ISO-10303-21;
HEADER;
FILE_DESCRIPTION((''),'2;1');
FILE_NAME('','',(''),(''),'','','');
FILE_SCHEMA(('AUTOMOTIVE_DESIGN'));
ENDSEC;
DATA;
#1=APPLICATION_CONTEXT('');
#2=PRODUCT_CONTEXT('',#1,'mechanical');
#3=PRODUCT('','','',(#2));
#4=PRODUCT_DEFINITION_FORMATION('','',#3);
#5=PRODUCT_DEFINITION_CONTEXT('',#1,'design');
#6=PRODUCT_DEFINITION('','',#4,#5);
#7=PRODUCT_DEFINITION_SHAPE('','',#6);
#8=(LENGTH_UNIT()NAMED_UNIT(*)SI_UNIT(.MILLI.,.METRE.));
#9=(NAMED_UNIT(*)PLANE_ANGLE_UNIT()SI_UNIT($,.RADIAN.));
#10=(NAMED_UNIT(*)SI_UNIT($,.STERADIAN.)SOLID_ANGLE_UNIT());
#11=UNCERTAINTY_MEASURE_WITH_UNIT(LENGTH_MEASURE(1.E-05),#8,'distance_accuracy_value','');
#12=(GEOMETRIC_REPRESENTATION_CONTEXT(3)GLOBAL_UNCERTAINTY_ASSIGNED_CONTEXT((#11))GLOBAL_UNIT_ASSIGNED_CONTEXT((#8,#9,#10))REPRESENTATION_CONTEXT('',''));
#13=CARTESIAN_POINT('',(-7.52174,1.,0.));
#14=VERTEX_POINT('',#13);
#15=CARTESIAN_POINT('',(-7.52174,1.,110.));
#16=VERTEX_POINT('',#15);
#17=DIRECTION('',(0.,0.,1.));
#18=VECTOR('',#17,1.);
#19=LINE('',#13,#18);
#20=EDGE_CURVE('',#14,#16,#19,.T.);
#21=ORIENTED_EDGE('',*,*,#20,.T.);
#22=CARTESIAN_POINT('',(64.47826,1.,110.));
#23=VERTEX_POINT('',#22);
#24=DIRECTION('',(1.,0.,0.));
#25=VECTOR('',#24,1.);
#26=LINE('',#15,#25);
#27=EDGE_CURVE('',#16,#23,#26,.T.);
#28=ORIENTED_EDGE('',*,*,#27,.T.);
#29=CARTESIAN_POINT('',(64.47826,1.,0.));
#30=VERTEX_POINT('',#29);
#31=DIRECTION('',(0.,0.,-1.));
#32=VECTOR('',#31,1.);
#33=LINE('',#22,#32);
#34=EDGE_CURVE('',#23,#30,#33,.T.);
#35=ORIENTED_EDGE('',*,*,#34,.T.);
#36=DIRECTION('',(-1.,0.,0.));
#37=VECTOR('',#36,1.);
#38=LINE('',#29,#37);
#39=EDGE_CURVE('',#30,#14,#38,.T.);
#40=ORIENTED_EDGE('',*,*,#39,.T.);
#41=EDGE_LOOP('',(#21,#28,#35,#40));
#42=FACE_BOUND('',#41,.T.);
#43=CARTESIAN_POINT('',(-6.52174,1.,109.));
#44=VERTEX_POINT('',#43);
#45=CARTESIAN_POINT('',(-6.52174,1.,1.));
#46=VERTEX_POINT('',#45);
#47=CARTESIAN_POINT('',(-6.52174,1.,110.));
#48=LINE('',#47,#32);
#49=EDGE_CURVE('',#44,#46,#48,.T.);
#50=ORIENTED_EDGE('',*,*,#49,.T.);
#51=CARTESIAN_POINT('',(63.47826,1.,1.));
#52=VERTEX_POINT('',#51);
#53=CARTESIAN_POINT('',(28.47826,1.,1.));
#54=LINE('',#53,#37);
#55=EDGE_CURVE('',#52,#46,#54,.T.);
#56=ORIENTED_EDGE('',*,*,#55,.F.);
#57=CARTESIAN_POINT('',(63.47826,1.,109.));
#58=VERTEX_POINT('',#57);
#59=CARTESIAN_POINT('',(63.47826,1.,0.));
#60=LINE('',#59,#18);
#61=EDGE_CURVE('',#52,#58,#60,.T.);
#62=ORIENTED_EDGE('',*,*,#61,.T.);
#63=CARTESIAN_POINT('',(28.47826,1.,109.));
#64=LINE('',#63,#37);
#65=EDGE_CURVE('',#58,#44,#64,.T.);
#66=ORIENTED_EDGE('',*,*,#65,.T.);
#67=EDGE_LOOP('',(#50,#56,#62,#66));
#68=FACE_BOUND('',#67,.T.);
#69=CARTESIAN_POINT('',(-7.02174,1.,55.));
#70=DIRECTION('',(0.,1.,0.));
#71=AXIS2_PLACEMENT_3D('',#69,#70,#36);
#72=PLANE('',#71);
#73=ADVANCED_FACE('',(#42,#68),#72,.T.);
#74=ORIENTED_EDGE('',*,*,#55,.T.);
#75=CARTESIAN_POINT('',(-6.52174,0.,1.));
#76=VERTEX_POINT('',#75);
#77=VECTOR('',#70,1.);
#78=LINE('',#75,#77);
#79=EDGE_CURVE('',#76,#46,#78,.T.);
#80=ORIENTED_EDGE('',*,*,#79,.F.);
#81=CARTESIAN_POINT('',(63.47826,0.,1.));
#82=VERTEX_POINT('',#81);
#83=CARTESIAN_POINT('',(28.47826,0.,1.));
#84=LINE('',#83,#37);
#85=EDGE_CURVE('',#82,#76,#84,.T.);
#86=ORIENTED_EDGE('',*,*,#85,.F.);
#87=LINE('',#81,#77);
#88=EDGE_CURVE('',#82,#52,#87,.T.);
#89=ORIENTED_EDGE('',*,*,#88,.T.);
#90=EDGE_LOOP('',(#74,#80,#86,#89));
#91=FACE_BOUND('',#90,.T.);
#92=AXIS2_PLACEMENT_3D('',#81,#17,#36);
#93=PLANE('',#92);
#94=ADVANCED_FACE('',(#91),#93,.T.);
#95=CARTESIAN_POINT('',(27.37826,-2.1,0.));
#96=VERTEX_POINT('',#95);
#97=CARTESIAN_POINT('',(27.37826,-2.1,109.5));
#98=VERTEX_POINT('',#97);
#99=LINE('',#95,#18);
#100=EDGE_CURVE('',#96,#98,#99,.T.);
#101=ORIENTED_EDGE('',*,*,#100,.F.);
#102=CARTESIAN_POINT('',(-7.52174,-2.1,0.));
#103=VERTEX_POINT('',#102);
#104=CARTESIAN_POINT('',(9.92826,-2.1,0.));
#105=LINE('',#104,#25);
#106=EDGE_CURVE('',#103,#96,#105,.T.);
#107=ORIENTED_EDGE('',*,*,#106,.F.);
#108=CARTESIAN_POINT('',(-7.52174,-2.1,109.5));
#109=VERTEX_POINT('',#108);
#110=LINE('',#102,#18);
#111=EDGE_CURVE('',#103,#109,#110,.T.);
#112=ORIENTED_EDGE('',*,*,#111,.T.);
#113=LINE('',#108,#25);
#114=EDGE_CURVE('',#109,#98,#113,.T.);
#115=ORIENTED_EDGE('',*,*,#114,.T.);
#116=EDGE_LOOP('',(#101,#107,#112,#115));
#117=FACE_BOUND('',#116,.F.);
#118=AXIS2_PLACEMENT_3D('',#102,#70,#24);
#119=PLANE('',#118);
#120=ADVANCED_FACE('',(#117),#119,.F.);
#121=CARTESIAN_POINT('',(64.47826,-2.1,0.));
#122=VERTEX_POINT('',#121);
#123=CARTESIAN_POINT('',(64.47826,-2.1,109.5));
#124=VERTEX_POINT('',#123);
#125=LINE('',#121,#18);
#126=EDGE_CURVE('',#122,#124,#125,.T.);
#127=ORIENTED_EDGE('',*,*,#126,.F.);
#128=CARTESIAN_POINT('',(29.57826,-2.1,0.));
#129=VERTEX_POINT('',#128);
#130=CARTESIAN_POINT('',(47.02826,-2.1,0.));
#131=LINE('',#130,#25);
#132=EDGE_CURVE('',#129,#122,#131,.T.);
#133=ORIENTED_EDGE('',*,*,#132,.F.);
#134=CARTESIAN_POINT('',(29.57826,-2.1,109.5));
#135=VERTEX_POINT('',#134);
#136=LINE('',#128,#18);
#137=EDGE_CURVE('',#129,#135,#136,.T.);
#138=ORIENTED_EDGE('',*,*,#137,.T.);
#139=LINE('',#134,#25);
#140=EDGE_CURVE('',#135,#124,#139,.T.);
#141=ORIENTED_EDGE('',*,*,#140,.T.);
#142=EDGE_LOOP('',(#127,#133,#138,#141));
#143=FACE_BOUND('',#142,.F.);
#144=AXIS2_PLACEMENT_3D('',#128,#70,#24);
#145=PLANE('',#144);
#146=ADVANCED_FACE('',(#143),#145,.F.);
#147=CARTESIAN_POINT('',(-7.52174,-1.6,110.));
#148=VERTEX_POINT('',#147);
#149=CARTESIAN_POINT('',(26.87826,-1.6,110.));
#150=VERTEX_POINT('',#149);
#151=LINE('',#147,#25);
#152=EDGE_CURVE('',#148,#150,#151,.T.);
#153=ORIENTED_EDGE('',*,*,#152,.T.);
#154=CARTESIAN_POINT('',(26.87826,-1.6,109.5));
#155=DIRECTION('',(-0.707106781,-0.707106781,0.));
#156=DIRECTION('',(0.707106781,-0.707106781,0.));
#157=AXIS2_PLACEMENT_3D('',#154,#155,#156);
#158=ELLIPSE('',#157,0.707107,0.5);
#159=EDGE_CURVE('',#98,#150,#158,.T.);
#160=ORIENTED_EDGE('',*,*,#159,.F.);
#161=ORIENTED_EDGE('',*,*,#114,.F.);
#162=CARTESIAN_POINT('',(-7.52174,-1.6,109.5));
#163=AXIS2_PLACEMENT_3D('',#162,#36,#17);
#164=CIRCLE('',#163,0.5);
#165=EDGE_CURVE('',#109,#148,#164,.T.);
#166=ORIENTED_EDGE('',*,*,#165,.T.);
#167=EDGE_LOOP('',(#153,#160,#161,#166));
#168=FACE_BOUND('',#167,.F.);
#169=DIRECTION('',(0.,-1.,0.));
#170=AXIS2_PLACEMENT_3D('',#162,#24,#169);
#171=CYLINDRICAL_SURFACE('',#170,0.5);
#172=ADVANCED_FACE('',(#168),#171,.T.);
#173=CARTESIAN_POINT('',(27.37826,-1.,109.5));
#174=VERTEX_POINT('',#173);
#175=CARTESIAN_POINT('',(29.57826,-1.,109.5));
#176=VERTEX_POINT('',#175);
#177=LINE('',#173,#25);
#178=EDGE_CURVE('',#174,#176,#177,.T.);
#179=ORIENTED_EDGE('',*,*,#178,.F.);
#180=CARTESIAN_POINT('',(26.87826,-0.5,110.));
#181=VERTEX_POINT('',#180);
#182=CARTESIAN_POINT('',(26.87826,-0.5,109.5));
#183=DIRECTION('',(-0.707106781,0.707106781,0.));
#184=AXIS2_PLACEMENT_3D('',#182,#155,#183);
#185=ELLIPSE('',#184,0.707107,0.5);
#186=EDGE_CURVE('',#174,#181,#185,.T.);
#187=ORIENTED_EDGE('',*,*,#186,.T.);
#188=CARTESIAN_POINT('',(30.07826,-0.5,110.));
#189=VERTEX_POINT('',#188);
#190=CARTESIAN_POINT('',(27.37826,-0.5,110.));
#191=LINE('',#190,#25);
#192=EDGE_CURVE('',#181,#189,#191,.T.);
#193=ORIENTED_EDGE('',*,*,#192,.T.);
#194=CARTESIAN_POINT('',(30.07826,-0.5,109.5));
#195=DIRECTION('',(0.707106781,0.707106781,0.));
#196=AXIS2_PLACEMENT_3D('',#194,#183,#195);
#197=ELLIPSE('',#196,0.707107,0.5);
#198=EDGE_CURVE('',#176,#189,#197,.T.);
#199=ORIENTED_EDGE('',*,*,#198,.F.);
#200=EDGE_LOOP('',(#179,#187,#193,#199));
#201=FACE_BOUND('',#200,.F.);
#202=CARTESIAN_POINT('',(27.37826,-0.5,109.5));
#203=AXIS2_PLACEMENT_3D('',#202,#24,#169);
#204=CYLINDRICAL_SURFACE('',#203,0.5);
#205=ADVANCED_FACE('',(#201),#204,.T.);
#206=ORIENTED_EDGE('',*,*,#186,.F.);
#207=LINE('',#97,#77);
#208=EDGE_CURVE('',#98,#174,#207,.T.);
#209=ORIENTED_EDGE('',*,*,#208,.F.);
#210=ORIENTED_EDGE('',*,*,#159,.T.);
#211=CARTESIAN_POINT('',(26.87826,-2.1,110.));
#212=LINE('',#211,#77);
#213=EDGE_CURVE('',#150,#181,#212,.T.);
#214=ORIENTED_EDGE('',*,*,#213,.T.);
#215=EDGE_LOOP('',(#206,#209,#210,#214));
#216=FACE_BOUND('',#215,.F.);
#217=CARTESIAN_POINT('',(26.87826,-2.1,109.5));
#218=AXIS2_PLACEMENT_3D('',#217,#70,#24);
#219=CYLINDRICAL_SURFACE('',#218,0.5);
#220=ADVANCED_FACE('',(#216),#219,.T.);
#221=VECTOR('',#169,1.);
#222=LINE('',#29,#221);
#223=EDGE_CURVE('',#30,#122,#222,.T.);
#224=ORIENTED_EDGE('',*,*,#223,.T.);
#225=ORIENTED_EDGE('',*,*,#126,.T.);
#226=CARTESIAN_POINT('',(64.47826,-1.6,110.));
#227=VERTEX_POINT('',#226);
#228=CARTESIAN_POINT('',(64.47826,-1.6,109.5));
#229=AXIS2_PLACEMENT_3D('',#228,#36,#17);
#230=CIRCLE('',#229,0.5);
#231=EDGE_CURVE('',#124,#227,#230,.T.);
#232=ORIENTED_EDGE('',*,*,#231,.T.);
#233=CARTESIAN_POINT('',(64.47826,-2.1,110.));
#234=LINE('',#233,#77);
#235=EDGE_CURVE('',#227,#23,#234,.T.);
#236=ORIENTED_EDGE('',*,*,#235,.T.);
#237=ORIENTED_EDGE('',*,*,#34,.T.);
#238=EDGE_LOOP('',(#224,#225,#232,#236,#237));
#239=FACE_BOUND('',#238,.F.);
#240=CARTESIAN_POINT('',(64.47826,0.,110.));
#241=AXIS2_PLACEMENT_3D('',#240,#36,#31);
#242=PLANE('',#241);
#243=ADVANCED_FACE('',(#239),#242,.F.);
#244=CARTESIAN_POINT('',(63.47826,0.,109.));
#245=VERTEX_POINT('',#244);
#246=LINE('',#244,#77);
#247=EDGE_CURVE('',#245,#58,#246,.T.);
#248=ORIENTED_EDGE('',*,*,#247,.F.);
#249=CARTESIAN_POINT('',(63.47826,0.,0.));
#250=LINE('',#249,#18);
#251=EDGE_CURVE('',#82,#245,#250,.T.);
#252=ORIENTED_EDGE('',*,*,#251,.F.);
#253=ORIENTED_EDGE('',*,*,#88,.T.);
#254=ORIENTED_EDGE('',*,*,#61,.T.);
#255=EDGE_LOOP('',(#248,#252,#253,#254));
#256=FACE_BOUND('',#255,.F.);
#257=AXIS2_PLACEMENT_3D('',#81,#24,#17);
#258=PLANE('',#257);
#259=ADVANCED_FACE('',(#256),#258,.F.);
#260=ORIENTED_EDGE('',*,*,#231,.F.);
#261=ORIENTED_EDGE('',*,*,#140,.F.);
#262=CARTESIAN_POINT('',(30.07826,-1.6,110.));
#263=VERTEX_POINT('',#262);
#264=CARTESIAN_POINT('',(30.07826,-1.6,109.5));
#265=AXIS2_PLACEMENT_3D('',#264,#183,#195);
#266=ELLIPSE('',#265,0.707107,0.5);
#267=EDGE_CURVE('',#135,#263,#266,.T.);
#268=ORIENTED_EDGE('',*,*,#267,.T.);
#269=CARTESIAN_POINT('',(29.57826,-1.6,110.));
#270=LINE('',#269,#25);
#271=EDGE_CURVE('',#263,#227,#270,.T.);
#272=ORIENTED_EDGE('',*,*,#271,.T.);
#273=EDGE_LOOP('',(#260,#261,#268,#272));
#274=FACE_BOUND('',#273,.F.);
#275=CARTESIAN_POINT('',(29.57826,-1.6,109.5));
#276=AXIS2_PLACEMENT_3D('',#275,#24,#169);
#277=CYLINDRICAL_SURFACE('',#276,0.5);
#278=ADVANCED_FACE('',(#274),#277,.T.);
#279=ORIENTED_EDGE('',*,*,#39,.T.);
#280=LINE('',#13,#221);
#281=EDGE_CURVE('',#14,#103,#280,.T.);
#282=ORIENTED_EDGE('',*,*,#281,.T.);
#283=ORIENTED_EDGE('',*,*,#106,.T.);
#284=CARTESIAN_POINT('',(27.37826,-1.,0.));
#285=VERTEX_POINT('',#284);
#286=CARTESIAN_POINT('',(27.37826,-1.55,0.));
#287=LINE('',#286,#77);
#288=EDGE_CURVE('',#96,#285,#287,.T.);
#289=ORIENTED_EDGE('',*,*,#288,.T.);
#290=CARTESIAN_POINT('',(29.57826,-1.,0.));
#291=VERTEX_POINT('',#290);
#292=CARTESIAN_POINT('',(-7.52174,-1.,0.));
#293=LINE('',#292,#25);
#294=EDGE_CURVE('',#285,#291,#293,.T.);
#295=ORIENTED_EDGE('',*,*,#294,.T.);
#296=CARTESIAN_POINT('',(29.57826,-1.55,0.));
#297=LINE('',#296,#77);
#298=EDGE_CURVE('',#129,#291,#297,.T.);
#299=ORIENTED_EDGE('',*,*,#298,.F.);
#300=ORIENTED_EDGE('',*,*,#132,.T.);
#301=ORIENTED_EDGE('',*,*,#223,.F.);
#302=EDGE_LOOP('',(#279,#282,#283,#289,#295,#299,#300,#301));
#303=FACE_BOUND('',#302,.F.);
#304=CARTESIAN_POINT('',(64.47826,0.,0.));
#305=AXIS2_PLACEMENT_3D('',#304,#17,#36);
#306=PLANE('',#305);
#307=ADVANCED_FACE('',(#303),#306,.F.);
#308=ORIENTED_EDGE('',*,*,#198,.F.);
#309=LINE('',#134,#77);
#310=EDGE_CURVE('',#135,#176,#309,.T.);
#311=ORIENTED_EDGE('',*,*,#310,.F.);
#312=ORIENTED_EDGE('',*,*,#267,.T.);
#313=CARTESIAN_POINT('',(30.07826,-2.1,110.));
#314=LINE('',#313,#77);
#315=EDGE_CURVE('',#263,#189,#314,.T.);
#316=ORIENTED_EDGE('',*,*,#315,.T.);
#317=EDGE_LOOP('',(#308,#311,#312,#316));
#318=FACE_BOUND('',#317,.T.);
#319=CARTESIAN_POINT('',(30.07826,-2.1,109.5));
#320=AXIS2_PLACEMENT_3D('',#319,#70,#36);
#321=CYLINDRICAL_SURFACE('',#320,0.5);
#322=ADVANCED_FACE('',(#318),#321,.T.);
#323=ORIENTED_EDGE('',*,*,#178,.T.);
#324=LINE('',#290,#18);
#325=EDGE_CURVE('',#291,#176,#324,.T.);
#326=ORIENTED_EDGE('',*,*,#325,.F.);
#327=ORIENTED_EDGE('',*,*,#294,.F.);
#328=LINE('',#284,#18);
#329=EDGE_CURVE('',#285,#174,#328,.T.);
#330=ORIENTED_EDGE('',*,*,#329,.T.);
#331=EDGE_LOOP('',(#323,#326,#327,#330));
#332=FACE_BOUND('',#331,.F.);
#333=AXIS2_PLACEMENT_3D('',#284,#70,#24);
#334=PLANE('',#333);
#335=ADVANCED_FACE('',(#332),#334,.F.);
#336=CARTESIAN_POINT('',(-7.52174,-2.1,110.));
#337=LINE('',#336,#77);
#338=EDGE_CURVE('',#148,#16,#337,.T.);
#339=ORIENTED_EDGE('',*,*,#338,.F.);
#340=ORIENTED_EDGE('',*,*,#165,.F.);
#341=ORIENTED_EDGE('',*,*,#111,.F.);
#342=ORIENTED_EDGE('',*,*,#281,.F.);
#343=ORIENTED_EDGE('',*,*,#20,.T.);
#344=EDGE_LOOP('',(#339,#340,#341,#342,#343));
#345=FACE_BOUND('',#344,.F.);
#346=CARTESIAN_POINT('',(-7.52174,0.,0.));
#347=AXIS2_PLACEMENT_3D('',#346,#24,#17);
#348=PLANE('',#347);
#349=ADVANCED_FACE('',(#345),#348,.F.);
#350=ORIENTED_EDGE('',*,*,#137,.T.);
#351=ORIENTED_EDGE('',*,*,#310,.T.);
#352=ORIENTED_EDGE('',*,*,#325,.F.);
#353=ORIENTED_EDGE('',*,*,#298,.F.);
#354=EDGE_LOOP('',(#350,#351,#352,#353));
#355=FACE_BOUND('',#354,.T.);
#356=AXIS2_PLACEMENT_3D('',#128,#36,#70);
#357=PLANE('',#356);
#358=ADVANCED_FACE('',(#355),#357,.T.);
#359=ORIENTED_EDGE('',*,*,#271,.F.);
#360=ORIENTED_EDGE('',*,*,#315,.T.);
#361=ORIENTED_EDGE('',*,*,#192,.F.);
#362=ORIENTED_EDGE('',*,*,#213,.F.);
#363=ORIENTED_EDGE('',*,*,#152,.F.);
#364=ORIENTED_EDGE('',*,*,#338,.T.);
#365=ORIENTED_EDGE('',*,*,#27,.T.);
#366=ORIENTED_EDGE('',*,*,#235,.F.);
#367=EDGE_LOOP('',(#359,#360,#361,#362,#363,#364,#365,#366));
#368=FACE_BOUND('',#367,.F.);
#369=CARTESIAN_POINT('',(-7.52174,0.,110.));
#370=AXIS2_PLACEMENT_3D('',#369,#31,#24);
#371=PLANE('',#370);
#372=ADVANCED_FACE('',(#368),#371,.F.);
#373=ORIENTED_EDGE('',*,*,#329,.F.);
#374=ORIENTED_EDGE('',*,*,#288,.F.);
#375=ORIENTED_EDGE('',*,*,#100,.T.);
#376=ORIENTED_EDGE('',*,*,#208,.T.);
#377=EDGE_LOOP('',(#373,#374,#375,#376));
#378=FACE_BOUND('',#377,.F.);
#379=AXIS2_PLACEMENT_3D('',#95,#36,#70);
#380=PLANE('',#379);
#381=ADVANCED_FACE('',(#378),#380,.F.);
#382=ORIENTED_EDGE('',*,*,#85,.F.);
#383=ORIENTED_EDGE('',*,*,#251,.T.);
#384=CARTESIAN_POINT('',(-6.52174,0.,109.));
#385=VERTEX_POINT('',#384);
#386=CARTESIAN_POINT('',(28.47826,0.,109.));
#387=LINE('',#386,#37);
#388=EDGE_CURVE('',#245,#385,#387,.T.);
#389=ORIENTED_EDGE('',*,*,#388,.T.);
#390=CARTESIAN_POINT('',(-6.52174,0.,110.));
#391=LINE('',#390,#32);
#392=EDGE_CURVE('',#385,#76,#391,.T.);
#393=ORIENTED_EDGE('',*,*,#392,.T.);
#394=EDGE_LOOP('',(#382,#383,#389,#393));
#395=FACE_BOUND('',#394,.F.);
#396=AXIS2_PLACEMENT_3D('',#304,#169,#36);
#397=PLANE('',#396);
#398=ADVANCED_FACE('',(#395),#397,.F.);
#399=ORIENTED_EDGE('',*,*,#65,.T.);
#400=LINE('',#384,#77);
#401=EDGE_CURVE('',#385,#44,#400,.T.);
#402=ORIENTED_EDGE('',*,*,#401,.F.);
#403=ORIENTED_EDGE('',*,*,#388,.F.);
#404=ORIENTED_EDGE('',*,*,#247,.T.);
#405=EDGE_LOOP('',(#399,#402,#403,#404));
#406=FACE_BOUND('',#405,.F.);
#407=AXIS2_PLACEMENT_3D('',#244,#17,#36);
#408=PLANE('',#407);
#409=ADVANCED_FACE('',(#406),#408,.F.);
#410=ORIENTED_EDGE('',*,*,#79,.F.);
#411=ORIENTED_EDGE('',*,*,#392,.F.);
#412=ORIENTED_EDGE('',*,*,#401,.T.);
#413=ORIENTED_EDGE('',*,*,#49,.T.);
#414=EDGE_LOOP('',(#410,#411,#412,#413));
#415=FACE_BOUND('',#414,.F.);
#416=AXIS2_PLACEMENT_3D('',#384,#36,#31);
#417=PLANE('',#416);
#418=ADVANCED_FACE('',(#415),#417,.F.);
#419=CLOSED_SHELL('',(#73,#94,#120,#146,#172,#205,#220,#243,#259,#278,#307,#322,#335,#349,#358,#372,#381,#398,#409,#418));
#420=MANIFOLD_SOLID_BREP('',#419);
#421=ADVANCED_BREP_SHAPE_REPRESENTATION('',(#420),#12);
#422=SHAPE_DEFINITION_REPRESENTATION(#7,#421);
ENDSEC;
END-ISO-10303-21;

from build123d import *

# Parameters (mm, degrees)
F0_W     = 34.9
F0_H     = 1.1
F1_DEPTH = 110
F2_W     = 70
F2_H     = 1
F3_DEPTH = 1
F4_R     = 0.5


with BuildPart() as f1:
    # F0 (on Top) → F1 (new body)
    with BuildSketch(Plane.XY):
        Polygon((64.47826, 0), (-7.52174, 0), (-7.52174, -1), (27.37826, -1), (29.57826, -1), (64.47826, -1), align=None)
        with Locations((9.92826, -1.55)):
            Rectangle(F0_W, F0_H)
        with Locations((47.02826, -1.55)):
            Rectangle(F0_W, F0_H)
    extrude(amount=F1_DEPTH)

    # F2 (on face) → F3 (join)
    with BuildSketch(Plane(origin=(0, 0, 0), x_dir=(-1, 0, 0), z_dir=(0, 1, 0))):
        Polygon((7.52174, 0), (7.52174, 110), (6.52174, 110), (6.52174, 109), (6.52174, 1), (6.52174, 0), align=None)
        with Locations((-28.47826, 109.5)):
            Rectangle(F2_W, F2_H)
        Polygon((-63.47826, 109), (-63.47826, 110), (-64.47826, 110), (-64.47826, 0), (-63.47826, 0), (-63.47826, 1), align=None)
        with Locations((-28.47826, 0.5)):
            Rectangle(F2_W, F2_H)
    extrude(amount=F3_DEPTH)

    # F4
    f4_edges = [f1.edges().sort_by_distance(p)[0] for p in [
        (9.92826, -2.1, 110),
        (29.57826, -1.55, 110),
        (27.37826, -1.55, 110),
        (28.47826, -1, 110),
        (47.02826, -2.1, 110),
    ]]
    fillet(f4_edges, radius=F4_R)


solid = f1.part
